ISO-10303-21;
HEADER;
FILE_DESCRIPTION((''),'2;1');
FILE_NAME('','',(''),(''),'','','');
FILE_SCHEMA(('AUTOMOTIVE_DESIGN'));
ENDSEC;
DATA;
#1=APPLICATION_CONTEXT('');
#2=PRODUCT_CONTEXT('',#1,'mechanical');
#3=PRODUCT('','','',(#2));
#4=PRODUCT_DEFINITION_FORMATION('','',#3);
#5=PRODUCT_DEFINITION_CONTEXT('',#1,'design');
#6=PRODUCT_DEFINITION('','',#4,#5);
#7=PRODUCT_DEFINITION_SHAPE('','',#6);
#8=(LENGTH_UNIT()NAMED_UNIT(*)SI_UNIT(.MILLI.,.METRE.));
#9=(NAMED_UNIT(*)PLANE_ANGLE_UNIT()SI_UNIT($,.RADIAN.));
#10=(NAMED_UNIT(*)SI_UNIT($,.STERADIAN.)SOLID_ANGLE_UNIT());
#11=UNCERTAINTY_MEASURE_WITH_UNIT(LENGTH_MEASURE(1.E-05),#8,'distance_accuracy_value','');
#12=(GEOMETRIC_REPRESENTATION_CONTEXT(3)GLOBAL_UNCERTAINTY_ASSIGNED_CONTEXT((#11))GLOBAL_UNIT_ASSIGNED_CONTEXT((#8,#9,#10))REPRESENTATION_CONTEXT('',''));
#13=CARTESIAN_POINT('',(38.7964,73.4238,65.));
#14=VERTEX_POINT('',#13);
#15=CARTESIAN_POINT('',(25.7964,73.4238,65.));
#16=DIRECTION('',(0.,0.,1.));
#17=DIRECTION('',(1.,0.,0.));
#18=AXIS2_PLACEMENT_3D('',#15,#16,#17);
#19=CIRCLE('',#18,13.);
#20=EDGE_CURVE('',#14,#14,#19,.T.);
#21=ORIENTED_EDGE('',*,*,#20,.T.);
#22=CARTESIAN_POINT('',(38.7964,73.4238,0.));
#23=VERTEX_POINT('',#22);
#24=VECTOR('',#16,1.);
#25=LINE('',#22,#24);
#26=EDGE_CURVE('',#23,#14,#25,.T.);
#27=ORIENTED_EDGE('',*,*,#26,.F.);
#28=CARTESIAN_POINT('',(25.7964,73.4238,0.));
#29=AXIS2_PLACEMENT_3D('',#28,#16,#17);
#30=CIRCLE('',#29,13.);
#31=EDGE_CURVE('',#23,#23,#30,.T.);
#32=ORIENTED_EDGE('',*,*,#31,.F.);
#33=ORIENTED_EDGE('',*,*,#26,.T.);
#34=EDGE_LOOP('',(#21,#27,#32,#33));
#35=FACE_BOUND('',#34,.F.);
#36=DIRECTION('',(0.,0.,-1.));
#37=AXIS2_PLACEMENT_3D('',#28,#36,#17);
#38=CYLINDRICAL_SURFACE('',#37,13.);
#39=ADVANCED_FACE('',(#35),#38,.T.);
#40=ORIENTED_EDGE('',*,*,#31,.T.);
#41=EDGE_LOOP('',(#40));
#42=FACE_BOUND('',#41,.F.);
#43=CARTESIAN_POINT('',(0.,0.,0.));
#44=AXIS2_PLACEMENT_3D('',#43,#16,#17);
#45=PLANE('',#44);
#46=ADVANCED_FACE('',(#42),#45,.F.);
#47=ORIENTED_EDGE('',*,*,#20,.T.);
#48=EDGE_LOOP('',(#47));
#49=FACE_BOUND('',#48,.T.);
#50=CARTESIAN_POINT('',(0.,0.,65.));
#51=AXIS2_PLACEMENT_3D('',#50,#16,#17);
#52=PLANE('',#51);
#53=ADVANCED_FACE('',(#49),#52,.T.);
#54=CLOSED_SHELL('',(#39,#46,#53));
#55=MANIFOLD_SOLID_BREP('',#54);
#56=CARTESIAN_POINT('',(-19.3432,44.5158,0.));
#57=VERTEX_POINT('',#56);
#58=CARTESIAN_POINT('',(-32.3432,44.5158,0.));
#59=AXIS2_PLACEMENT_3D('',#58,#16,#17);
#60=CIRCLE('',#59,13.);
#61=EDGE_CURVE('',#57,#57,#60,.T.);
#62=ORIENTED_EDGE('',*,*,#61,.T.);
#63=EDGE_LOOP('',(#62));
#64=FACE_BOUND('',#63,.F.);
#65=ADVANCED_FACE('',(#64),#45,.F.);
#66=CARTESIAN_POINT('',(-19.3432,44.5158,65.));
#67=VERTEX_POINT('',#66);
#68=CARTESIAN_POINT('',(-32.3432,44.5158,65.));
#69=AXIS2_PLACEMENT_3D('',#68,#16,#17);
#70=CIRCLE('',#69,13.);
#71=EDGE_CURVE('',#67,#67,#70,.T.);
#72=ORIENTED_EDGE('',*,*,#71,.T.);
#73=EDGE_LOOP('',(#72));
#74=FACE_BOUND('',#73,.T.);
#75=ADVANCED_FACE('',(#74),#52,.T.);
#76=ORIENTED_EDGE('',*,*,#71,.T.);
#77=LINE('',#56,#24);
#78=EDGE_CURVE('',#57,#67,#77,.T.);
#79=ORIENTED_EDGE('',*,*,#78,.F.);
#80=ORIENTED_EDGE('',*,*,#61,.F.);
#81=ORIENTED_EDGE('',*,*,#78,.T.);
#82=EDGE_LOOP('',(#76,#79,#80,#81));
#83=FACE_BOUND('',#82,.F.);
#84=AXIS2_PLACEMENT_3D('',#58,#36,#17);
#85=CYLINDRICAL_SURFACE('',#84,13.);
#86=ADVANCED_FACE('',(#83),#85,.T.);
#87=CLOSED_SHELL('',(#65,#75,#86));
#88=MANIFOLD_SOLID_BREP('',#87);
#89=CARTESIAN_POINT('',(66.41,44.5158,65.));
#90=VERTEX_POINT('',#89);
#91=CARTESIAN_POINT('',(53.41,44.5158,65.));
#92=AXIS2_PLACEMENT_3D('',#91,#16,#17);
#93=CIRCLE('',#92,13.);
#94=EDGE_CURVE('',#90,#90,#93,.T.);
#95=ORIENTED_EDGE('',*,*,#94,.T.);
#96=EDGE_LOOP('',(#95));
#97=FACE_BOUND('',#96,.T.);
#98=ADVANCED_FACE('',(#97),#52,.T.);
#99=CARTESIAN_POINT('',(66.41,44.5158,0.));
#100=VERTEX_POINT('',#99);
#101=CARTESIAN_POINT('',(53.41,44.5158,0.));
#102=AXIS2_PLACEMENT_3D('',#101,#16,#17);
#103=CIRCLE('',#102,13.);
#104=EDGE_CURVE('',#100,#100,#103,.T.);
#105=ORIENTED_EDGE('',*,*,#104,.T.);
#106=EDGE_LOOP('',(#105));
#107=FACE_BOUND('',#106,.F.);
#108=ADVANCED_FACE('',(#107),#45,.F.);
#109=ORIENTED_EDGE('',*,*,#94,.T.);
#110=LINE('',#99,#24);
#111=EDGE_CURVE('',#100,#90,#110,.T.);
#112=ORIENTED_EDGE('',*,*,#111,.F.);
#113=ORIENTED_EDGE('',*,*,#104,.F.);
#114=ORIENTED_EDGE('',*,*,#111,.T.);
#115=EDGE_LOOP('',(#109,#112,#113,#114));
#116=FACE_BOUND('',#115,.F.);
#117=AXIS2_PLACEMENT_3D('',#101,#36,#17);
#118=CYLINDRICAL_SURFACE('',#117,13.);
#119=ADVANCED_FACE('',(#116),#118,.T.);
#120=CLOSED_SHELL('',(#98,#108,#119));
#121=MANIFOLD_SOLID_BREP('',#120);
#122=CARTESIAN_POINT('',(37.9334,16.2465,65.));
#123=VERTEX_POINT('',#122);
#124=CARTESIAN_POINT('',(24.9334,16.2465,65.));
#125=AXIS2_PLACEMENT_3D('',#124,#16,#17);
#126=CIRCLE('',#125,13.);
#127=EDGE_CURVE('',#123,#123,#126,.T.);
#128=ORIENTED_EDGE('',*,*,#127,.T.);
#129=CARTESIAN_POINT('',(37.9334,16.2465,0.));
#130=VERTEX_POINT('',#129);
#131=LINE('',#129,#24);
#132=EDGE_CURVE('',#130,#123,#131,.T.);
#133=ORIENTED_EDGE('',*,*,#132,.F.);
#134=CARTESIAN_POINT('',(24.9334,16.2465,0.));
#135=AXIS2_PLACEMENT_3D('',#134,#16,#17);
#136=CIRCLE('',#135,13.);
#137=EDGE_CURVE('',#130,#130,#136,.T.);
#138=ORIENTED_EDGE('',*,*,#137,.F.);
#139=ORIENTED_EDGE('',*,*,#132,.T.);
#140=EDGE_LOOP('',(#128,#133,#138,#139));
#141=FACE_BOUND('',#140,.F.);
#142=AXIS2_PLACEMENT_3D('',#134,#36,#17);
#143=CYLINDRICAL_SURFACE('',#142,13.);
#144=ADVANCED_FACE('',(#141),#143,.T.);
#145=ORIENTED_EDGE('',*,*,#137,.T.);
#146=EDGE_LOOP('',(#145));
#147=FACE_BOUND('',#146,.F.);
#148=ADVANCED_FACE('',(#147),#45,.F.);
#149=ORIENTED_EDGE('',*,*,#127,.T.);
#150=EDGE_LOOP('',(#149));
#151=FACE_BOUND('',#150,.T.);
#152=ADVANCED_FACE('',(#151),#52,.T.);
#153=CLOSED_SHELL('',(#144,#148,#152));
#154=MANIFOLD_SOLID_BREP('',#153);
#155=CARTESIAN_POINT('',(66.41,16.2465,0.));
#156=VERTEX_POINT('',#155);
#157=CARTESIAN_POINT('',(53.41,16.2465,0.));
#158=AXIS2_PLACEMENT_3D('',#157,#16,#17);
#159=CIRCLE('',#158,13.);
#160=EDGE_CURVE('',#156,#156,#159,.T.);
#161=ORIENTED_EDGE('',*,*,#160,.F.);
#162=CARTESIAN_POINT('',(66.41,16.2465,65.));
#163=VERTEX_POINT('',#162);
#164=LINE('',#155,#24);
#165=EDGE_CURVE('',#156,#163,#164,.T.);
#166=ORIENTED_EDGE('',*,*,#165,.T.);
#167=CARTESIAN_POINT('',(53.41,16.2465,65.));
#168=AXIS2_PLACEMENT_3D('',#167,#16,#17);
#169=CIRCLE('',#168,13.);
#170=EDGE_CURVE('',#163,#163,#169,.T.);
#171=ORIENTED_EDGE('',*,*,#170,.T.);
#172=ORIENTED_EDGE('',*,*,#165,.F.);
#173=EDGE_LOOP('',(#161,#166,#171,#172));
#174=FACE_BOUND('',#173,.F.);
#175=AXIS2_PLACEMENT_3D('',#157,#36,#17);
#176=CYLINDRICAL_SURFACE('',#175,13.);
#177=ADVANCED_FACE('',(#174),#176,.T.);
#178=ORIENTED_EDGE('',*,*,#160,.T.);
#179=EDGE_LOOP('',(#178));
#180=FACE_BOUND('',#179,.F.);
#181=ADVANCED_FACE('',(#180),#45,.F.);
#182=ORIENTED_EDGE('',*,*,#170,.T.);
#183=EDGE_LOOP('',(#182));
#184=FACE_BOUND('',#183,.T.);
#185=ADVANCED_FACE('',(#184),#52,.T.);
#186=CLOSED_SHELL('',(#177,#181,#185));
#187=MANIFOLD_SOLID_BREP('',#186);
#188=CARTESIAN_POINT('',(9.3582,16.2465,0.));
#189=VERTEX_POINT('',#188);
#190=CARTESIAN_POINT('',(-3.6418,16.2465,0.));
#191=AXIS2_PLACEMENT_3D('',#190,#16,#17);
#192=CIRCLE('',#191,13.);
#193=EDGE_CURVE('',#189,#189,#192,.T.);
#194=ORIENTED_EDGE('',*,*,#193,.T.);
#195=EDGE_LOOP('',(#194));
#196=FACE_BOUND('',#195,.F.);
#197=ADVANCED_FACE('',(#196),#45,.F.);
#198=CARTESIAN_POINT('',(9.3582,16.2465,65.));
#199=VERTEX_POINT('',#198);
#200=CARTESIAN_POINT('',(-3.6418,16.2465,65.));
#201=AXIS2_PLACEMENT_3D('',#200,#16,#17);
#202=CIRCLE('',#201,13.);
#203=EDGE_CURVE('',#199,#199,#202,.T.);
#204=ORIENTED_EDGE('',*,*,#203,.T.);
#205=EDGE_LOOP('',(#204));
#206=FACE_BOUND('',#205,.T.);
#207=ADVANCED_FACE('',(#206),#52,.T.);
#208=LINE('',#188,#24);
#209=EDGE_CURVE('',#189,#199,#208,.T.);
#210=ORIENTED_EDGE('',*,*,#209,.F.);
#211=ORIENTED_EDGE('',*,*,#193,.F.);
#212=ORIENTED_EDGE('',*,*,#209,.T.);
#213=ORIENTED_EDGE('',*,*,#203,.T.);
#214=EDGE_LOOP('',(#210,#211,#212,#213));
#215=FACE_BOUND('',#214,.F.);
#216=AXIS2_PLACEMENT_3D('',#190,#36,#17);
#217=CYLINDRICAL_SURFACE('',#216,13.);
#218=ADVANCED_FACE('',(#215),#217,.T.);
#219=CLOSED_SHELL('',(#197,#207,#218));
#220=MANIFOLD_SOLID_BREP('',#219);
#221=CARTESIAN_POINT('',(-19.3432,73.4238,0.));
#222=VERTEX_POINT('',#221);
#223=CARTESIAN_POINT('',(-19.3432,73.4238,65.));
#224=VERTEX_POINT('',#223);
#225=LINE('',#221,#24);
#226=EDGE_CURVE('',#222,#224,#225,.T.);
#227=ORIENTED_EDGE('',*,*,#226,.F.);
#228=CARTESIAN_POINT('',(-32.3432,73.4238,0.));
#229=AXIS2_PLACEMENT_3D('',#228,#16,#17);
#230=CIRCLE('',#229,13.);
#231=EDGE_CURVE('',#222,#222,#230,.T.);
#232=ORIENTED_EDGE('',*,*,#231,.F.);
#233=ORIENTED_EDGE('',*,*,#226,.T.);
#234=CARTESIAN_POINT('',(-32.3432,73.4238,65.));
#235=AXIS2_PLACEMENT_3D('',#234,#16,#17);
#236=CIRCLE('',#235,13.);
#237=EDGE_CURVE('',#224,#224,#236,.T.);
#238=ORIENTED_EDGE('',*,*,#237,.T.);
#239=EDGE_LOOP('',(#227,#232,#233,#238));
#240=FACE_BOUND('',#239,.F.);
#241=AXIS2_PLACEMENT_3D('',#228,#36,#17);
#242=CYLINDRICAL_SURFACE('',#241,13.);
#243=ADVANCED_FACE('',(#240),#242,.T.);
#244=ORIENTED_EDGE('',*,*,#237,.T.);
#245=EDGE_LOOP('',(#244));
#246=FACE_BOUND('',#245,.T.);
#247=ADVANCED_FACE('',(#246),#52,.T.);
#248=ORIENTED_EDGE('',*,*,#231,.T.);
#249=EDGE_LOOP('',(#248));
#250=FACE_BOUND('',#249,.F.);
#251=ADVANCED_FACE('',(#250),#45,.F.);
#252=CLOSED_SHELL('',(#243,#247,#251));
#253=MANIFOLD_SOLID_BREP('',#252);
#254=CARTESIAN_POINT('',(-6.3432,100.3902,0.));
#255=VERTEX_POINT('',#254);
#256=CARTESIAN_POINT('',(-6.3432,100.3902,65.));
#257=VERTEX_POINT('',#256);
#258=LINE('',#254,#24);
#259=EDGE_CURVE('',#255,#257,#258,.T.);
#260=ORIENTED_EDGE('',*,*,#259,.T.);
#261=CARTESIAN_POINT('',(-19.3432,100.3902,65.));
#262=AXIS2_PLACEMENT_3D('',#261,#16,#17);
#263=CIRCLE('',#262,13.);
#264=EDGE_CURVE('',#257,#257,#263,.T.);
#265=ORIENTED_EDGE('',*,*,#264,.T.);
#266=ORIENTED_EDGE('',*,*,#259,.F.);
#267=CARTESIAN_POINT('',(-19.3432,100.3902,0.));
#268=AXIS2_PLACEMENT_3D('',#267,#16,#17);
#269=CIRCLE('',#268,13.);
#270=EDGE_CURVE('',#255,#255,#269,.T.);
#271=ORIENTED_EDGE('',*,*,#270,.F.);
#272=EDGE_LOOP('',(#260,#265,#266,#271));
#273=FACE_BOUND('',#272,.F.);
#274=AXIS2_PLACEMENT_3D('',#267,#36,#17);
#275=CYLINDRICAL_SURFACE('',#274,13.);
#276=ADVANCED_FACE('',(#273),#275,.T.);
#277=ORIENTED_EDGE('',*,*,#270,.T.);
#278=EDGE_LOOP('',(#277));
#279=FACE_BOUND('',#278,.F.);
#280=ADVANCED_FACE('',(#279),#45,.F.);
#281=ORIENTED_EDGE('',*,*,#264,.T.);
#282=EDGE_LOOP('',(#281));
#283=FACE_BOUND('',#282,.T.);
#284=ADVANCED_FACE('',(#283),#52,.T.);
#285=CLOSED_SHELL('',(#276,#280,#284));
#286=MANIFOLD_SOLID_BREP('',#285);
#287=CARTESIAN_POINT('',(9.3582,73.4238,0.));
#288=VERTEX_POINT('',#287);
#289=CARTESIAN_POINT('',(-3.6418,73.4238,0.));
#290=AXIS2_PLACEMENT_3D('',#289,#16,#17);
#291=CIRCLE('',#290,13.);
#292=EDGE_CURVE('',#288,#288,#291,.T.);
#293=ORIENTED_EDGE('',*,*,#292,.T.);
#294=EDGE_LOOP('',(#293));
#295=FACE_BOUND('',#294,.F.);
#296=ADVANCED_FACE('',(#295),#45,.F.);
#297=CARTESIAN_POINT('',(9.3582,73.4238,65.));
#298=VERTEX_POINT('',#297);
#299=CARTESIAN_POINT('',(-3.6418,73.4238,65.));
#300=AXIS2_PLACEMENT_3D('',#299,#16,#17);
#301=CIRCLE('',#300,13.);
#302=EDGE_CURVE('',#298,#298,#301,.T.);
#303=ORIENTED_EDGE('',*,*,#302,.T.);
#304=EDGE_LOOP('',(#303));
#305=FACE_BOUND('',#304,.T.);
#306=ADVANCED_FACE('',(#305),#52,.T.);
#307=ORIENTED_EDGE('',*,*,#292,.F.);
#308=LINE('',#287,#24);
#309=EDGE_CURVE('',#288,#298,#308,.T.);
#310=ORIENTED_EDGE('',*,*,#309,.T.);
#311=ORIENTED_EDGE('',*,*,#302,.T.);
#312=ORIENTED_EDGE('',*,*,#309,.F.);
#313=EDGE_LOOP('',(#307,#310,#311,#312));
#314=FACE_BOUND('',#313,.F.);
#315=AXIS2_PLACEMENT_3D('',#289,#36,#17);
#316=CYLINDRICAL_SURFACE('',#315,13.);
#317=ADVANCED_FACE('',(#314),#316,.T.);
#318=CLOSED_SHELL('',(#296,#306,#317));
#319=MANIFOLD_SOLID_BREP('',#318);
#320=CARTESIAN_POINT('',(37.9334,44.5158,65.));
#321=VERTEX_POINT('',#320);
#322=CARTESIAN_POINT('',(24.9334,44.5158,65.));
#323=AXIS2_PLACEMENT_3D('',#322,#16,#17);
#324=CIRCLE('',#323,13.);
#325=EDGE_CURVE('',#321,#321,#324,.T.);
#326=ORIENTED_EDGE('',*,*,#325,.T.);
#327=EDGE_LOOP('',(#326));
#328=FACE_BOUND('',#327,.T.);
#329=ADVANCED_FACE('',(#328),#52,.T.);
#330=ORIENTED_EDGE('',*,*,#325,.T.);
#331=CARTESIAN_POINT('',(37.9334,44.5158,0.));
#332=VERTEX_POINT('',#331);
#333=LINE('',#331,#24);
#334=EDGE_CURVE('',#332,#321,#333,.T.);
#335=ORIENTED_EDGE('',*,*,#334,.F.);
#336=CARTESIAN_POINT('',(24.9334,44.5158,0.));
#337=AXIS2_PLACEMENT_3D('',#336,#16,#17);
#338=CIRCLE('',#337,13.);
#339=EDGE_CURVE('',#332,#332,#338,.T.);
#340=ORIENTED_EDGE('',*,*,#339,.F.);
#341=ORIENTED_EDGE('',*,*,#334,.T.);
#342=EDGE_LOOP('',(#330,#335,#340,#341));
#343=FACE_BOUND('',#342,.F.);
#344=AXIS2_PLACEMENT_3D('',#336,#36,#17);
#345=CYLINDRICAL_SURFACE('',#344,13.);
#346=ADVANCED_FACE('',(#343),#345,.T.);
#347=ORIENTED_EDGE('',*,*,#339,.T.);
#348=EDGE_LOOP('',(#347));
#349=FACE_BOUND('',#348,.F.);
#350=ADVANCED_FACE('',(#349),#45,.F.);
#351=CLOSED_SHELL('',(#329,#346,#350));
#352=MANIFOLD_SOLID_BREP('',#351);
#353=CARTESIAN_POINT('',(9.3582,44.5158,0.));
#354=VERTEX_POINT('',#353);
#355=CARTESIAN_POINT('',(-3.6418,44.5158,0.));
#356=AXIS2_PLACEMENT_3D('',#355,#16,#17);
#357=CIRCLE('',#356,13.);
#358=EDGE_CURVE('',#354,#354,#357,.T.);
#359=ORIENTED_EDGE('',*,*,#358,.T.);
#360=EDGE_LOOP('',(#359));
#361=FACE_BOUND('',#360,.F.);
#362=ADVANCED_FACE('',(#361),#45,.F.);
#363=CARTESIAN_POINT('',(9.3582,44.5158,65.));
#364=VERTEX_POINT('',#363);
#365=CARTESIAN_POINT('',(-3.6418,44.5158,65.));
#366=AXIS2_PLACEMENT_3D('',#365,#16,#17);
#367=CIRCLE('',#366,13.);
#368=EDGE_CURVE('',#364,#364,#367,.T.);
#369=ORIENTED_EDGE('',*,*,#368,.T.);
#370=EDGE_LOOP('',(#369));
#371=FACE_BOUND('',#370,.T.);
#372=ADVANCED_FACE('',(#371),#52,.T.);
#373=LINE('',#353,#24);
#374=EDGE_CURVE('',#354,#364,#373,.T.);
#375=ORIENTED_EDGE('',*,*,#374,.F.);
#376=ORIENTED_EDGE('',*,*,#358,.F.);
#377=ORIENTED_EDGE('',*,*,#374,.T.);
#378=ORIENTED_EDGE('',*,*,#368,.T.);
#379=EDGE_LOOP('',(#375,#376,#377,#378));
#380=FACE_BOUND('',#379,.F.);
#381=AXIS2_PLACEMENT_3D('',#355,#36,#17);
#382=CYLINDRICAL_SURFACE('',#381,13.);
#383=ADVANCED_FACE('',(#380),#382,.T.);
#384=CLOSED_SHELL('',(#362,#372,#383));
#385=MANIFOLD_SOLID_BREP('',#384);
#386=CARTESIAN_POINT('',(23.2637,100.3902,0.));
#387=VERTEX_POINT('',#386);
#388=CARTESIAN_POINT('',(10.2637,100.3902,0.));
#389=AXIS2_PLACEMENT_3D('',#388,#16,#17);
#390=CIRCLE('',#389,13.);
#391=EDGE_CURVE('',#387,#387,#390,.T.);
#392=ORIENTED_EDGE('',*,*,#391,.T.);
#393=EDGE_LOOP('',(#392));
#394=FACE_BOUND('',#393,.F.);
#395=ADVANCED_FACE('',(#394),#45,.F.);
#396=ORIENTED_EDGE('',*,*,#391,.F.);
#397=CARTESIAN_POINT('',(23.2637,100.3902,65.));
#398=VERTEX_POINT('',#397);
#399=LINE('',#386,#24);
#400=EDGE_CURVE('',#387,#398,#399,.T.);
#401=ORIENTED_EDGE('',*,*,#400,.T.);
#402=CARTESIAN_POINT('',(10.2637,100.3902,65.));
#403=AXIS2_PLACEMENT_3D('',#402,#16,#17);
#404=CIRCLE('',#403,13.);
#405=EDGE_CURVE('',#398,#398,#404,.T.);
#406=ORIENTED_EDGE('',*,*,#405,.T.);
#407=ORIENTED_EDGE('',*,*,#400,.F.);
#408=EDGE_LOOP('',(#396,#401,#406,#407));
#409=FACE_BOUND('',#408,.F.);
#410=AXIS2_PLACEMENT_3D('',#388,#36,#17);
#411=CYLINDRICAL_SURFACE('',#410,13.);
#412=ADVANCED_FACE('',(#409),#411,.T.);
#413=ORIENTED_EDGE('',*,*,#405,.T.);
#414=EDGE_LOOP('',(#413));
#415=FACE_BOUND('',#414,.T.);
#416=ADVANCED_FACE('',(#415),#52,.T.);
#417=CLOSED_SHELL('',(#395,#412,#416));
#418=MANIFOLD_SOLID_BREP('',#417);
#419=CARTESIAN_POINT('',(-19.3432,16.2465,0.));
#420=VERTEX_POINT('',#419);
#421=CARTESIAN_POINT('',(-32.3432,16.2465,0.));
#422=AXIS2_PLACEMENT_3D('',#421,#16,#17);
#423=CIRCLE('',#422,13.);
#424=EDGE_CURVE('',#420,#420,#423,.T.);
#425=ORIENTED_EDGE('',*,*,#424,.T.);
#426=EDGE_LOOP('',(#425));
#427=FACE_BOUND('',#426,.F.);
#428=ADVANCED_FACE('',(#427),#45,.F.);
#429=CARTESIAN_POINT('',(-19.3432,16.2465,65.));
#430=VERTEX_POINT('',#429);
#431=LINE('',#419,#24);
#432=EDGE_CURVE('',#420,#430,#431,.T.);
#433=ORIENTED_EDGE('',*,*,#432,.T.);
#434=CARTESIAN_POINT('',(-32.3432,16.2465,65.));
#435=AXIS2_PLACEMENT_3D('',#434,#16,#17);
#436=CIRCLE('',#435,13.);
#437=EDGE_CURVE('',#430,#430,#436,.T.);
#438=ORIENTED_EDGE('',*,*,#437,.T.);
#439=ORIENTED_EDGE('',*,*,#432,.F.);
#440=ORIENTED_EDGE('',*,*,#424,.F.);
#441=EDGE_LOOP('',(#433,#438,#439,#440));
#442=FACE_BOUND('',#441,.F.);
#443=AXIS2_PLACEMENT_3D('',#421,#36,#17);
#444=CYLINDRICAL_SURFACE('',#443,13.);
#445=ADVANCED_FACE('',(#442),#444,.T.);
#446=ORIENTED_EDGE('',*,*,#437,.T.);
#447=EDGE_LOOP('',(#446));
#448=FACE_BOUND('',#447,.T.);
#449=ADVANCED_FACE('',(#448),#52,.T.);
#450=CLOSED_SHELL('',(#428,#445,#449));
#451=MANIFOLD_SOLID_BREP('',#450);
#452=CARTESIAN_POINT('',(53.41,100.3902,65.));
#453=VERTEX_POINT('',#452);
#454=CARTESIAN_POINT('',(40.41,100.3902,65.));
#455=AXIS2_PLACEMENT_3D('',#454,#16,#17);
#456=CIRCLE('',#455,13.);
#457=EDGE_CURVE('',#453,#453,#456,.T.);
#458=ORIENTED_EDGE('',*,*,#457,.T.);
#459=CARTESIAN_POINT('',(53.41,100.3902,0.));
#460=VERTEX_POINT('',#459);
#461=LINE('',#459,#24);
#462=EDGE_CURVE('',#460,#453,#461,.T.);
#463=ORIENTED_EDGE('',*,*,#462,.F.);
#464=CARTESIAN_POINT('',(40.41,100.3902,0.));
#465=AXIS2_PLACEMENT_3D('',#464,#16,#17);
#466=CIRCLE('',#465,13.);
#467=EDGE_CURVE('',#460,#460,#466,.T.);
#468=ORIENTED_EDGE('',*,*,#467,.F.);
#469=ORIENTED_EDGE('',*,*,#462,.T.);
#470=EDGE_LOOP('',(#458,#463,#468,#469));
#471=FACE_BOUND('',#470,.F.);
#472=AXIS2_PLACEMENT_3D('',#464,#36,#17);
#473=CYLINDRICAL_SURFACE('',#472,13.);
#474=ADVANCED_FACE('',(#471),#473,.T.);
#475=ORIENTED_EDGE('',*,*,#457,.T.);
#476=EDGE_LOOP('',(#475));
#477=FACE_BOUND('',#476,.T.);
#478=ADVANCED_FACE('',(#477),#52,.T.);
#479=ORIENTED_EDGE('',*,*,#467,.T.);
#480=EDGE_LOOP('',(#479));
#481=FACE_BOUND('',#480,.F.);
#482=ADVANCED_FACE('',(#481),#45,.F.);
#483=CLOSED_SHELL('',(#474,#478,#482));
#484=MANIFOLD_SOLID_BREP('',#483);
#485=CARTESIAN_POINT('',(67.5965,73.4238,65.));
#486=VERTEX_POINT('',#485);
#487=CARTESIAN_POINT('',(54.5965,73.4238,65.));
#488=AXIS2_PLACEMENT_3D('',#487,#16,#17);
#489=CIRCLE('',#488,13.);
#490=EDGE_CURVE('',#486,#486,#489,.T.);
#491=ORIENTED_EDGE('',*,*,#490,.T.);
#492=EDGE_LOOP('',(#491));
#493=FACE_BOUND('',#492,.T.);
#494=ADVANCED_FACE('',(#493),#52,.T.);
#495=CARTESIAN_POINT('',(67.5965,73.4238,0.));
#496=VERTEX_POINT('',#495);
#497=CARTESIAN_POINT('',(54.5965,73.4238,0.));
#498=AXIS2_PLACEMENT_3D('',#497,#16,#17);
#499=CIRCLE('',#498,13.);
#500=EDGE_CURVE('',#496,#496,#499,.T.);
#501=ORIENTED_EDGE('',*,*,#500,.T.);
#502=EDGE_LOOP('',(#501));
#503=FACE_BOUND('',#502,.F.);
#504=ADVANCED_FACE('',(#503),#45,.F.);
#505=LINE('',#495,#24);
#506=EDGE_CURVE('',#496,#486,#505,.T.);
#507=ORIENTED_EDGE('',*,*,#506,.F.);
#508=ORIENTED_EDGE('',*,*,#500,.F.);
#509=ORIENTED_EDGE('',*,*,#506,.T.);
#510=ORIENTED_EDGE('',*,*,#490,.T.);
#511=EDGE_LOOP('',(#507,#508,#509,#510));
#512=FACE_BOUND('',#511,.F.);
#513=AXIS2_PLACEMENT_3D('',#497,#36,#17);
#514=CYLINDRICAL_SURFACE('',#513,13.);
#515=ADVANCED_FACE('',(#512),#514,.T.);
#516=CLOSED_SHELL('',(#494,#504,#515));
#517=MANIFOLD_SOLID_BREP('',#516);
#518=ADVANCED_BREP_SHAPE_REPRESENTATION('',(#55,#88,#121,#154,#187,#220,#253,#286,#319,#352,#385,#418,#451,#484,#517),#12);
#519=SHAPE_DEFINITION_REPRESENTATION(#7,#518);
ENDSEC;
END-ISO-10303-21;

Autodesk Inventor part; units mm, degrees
ref_plane "YZ Plane" through (0, 0, 0) normal (1, 0, 0) x (0, 1, 0)
ref_plane "XZ Plane" through (0, 0, 0) normal (0, 1, 0) x (-1, 0, 0)
ref_plane "XY Plane" through (0, 0, 0) normal (0, 0, 1) x (1, 0, 0)
sketch "Sketch1" plane through (0, 0, 0) normal (0, 0, 1) x (1, 0, 0)
  circle A0 centre (-32.3432, 16.2465) radius 13
  circle A1 centre (-3.6418, 16.2465) radius 13
  circle A2 centre (24.9334, 16.2465) radius 13
  circle A3 centre (53.41, 16.2465) radius 13
  circle A4 centre (-32.3432, 44.5158) radius 13
  circle A5 centre (-3.6418, 44.5158) radius 13
  circle A6 centre (24.9334, 44.5158) radius 13
  circle A7 centre (53.41, 44.5158) radius 13
  circle A8 centre (-3.6418, 73.4238) radius 13
  circle A9 centre (10.2637, 100.3902) radius 13
  circle A10 centre (40.41, 100.3902) radius 13
  circle A11 centre (-32.3432, 73.4238) radius 13
  circle A12 centre (25.7964, 73.4238) radius 13
  circle A13 centre (54.5965, 73.4238) radius 13
  circle A14 centre (-19.3432, 100.3902) radius 13
  point P0 (0, 0)
  dimension "d0" = 26
  dimension "d2" = 26
  dimension "d4" = 26
  dimension "d17" = 26
  dimension "d19" = 26
  dimension "d20" = 26
  dimension "d21" = 26
  dimension "d22" = 26
  dimension "d24" = 26
  dimension "d25" = 26
  dimension "d26" = 26
  dimension "d28" = 26
  dimension "d29" = 26
  dimension "d30" = 26
  dimension "d31" = 26
extrude "Extrusion1" add sketch "Sketch1" along normal blind 65
equation "\"d2\" = d0"
equation "\"d4\" = d0"
properties part number "battery_set"
